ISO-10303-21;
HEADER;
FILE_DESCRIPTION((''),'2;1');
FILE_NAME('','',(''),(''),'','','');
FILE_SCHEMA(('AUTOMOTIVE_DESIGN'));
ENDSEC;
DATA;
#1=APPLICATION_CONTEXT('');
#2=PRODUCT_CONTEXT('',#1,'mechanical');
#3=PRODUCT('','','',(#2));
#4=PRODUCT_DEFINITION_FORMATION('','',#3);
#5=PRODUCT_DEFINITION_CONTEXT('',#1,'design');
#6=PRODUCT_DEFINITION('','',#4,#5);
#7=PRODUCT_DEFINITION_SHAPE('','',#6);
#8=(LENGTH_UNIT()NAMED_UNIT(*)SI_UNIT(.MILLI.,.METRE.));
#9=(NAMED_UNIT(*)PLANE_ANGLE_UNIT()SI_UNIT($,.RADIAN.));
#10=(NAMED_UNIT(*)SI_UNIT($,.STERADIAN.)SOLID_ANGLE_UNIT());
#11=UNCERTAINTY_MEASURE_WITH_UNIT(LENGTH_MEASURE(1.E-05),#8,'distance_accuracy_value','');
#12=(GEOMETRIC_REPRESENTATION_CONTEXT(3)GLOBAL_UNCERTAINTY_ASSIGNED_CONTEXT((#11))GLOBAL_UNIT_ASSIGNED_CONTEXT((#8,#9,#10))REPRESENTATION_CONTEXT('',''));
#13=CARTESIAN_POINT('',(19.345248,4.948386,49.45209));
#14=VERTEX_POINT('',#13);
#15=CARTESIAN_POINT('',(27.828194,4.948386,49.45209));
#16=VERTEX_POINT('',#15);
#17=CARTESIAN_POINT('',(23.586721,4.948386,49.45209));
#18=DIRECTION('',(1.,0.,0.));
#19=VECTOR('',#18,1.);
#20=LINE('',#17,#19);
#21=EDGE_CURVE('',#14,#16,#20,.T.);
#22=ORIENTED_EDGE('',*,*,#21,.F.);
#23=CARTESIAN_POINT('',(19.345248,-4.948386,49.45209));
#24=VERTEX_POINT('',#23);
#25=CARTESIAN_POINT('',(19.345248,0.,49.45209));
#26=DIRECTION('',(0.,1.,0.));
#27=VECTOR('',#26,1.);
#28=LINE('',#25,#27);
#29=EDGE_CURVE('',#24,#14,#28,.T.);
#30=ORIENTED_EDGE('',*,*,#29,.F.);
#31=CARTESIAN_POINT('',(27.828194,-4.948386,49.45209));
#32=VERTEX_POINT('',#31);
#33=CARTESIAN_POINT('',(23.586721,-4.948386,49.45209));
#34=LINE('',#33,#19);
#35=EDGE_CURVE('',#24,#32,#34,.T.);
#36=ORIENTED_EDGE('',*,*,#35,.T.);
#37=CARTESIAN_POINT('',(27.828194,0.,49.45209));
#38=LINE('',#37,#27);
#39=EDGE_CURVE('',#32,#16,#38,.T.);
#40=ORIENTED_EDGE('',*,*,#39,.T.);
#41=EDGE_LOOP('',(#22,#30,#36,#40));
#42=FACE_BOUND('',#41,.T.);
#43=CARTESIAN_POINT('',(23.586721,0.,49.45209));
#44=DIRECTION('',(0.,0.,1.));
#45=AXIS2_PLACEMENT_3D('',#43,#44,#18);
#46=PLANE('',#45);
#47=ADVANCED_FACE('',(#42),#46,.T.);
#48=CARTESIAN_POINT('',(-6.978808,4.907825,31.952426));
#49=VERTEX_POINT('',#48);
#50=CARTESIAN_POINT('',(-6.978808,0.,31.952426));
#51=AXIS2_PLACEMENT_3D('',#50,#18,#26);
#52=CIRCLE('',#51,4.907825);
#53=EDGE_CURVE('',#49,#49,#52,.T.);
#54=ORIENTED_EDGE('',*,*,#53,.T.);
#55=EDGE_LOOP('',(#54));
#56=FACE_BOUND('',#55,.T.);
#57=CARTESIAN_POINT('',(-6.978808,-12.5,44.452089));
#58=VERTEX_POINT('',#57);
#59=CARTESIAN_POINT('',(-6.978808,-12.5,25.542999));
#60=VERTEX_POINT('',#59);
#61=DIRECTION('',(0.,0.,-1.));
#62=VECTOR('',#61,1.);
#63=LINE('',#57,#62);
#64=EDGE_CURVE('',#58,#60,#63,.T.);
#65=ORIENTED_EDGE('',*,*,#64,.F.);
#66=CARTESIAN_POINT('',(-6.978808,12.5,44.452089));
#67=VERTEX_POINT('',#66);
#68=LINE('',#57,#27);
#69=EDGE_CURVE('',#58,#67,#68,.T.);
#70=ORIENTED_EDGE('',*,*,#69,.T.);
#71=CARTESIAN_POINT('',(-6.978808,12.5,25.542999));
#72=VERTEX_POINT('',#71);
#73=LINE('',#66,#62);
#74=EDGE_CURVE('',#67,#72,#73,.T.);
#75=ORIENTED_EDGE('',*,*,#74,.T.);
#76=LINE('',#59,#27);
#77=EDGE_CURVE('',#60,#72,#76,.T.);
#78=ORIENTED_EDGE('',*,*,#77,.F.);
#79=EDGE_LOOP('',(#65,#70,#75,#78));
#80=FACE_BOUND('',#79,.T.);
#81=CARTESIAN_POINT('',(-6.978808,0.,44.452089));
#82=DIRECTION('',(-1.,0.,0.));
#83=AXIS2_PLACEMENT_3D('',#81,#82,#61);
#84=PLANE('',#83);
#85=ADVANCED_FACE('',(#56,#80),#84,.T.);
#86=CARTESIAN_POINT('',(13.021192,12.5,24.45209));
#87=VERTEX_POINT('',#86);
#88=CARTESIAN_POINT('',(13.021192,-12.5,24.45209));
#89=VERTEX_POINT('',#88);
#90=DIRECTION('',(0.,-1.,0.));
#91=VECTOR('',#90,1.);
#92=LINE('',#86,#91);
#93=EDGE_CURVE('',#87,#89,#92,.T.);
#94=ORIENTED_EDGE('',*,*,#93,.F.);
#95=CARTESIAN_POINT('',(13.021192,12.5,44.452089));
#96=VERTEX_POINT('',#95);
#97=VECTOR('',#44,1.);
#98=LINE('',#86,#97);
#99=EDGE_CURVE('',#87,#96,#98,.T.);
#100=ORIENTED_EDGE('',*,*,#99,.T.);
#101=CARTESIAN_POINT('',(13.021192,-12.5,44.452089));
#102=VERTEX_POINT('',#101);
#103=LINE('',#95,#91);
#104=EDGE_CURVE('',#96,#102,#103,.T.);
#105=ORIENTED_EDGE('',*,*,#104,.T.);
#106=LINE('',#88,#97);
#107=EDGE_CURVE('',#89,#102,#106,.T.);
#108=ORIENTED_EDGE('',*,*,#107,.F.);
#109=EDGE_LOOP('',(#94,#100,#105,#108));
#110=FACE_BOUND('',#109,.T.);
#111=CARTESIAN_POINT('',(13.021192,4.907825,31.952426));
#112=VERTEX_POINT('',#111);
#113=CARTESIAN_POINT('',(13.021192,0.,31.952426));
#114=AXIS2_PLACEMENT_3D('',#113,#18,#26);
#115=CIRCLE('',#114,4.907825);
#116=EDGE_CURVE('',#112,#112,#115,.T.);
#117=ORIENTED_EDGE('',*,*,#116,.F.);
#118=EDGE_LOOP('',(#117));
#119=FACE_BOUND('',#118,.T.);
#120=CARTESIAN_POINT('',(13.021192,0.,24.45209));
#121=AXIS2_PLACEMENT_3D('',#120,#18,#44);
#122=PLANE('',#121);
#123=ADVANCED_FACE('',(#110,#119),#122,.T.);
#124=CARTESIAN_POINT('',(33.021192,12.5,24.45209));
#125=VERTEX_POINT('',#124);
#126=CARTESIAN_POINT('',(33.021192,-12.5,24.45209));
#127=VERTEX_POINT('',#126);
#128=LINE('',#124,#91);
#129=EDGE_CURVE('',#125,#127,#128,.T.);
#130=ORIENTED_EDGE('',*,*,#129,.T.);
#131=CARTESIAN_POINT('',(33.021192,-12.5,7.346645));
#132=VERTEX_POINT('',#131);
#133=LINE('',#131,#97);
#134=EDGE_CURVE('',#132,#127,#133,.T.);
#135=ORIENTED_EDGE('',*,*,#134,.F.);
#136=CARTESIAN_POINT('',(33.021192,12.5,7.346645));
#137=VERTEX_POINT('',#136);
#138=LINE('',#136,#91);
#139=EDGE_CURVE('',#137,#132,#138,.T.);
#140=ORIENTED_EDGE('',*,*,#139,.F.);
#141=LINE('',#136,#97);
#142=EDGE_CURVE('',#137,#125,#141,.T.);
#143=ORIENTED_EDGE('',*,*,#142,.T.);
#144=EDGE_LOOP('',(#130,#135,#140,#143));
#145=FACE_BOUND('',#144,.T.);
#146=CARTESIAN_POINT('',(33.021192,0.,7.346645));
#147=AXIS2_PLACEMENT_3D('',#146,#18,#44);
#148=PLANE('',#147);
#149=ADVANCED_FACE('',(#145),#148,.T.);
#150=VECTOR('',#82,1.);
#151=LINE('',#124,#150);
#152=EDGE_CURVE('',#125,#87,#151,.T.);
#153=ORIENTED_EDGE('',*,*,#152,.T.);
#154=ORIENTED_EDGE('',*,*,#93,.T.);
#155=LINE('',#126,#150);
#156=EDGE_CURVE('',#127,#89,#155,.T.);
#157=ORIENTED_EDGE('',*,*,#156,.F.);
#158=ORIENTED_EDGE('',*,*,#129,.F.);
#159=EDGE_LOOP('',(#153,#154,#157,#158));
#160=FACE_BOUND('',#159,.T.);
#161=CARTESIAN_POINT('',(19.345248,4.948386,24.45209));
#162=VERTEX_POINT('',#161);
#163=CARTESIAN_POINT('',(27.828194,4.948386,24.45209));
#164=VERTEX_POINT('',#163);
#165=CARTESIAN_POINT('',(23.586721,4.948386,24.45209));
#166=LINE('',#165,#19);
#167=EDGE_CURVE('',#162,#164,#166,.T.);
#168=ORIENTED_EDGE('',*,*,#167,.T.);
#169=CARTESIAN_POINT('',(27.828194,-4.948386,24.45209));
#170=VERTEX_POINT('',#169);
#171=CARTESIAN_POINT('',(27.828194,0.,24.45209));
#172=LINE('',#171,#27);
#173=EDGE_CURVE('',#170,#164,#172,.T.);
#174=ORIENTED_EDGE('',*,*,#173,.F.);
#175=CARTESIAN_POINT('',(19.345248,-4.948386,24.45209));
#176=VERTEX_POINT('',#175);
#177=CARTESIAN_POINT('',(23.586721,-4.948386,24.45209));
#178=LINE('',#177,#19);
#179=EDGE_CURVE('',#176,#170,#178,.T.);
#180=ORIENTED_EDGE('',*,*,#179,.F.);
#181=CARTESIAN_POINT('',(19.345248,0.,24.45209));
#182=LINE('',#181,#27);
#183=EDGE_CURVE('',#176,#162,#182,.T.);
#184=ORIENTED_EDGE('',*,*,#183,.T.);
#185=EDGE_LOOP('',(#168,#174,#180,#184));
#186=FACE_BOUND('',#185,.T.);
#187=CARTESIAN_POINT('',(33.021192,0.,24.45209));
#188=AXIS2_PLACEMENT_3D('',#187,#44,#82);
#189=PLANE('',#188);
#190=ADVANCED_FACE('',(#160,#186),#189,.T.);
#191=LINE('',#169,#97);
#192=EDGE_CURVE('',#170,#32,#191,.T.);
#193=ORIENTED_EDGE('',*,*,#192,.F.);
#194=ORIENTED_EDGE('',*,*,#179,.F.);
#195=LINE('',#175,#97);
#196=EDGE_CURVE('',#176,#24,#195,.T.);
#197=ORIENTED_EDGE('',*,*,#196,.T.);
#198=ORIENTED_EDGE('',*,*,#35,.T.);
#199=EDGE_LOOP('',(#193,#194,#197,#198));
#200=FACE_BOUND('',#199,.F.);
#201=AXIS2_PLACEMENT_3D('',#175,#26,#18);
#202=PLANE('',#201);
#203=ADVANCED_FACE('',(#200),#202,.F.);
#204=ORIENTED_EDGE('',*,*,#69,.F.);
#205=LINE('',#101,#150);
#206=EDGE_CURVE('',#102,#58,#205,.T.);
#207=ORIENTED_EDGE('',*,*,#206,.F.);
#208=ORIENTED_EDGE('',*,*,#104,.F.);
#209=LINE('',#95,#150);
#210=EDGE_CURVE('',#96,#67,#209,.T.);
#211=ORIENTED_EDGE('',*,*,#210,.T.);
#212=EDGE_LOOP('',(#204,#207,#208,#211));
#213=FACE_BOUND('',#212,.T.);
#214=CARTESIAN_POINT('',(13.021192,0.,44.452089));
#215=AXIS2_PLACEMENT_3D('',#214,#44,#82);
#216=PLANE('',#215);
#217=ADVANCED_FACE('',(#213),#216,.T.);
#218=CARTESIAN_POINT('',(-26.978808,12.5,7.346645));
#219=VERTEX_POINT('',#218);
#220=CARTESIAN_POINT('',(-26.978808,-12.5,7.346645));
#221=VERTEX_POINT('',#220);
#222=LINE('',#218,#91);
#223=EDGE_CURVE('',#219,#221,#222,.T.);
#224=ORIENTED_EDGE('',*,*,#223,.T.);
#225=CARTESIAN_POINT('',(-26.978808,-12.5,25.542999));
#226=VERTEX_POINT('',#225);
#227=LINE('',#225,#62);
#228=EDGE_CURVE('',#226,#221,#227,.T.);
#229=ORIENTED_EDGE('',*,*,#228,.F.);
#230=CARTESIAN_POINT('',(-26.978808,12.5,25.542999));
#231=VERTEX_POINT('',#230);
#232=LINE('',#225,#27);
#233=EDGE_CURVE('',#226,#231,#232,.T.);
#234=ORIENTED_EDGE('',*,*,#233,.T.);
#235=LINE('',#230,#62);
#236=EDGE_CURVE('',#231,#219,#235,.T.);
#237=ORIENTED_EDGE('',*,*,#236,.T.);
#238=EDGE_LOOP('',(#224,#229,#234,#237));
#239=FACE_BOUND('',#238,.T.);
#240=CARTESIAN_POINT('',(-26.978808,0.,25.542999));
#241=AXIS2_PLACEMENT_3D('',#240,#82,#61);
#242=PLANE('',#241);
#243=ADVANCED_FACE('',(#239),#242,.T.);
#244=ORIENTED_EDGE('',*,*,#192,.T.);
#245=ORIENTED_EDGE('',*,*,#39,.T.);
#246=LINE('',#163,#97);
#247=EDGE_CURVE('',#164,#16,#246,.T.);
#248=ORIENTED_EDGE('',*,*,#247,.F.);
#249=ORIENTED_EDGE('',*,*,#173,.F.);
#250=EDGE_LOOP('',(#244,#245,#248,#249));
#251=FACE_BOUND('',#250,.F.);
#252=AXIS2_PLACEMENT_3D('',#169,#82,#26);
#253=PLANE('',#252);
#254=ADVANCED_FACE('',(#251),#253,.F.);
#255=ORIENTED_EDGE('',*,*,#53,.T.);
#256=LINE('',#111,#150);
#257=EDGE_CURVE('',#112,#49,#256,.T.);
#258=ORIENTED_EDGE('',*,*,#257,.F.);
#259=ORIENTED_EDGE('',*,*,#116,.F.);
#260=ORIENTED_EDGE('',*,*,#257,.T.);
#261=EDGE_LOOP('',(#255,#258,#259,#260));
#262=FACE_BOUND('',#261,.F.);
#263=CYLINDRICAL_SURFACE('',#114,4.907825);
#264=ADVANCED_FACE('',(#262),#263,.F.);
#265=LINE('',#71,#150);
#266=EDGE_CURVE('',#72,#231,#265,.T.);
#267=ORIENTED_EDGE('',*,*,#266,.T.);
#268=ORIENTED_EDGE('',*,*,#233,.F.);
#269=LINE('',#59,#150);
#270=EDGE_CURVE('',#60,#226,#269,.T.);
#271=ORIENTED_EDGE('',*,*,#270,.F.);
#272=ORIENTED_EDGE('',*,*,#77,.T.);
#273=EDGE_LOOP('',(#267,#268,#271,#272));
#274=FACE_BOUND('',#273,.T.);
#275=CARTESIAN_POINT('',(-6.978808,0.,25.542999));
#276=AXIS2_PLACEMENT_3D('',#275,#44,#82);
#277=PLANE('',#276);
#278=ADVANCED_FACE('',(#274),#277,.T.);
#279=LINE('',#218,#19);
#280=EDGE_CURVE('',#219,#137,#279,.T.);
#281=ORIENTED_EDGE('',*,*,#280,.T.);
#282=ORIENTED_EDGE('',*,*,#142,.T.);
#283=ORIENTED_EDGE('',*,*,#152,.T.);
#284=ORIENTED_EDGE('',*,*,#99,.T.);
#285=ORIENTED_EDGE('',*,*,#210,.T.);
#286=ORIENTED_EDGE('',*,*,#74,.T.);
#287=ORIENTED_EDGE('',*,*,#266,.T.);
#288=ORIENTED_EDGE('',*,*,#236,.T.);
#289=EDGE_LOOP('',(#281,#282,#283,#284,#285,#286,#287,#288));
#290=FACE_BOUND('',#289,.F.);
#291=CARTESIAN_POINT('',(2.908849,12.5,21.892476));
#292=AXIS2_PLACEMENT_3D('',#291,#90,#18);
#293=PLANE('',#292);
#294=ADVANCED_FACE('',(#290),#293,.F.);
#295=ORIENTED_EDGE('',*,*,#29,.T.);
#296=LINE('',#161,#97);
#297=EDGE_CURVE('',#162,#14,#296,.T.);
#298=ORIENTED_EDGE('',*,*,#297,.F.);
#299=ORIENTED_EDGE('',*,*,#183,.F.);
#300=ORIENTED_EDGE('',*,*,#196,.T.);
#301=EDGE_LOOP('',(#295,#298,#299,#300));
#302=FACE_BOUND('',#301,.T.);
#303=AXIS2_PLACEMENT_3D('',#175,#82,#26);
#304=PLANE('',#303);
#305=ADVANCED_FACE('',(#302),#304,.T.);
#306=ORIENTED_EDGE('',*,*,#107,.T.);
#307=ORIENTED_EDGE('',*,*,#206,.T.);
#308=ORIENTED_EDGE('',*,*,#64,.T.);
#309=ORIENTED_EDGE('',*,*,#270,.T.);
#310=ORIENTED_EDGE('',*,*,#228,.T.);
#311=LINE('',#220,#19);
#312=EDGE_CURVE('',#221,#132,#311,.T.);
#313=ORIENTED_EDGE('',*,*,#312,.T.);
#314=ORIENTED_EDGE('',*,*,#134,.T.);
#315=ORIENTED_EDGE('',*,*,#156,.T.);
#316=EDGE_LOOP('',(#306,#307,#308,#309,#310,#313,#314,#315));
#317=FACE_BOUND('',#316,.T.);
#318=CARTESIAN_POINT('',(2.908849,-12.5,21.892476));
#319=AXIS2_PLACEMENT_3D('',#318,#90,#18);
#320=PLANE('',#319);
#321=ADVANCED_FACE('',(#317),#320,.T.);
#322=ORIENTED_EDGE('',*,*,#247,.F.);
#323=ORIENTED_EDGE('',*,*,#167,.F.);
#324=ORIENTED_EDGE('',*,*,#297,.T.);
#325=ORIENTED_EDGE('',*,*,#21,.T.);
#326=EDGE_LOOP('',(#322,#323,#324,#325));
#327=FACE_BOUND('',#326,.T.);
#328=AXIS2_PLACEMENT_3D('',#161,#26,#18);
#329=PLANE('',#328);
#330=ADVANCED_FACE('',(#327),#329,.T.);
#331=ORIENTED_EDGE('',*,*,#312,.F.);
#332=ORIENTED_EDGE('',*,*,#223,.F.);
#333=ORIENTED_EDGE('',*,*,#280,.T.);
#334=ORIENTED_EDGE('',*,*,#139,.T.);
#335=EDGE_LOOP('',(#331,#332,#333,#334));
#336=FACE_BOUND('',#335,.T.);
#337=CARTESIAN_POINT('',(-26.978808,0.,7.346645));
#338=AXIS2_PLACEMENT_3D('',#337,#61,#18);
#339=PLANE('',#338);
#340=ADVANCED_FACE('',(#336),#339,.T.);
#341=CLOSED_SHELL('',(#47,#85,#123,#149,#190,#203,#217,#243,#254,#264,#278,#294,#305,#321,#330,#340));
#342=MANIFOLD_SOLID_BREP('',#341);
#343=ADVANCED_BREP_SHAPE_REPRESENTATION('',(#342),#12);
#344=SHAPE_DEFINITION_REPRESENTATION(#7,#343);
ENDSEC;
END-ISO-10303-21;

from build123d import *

# Parameters (mm, degrees)
F1_DEPTH = 12.5
F2_R     = 4.907825
F3_DEPTH = 40.001
F4_W     = 8.482946
F4_H     = 9.896773
F5_DEPTH = 25


with BuildPart() as f1:
    # F0 (on Front) → F1 (new body, symmetric)
    with BuildSketch(Plane.XZ):
        Polygon((-26.978808, 25.542999), (-26.978808, 7.346645), (33.021192, 7.346645), (33.021192, 24.45209), (13.021192, 24.45209), (13.021192, 44.452089), (-6.978808, 44.452089), (-6.978808, 25.542999), align=None)
    extrude(amount=F1_DEPTH, both=True)

    # F2 (on face) → F3 (cut, through all)
    with BuildSketch(Plane.YZ.offset(13.021192)):
        with Locations((0, 31.952426)):
            Circle(F2_R)
    extrude(amount=-F3_DEPTH, mode=Mode.SUBTRACT)

    # F4 (on face) → F5 (join)
    with BuildSketch(Plane.XY.offset(24.45209)):
        with Locations((23.586721, 0)):
            Rectangle(F4_W, F4_H)
    extrude(amount=F5_DEPTH)


solid = f1.part
